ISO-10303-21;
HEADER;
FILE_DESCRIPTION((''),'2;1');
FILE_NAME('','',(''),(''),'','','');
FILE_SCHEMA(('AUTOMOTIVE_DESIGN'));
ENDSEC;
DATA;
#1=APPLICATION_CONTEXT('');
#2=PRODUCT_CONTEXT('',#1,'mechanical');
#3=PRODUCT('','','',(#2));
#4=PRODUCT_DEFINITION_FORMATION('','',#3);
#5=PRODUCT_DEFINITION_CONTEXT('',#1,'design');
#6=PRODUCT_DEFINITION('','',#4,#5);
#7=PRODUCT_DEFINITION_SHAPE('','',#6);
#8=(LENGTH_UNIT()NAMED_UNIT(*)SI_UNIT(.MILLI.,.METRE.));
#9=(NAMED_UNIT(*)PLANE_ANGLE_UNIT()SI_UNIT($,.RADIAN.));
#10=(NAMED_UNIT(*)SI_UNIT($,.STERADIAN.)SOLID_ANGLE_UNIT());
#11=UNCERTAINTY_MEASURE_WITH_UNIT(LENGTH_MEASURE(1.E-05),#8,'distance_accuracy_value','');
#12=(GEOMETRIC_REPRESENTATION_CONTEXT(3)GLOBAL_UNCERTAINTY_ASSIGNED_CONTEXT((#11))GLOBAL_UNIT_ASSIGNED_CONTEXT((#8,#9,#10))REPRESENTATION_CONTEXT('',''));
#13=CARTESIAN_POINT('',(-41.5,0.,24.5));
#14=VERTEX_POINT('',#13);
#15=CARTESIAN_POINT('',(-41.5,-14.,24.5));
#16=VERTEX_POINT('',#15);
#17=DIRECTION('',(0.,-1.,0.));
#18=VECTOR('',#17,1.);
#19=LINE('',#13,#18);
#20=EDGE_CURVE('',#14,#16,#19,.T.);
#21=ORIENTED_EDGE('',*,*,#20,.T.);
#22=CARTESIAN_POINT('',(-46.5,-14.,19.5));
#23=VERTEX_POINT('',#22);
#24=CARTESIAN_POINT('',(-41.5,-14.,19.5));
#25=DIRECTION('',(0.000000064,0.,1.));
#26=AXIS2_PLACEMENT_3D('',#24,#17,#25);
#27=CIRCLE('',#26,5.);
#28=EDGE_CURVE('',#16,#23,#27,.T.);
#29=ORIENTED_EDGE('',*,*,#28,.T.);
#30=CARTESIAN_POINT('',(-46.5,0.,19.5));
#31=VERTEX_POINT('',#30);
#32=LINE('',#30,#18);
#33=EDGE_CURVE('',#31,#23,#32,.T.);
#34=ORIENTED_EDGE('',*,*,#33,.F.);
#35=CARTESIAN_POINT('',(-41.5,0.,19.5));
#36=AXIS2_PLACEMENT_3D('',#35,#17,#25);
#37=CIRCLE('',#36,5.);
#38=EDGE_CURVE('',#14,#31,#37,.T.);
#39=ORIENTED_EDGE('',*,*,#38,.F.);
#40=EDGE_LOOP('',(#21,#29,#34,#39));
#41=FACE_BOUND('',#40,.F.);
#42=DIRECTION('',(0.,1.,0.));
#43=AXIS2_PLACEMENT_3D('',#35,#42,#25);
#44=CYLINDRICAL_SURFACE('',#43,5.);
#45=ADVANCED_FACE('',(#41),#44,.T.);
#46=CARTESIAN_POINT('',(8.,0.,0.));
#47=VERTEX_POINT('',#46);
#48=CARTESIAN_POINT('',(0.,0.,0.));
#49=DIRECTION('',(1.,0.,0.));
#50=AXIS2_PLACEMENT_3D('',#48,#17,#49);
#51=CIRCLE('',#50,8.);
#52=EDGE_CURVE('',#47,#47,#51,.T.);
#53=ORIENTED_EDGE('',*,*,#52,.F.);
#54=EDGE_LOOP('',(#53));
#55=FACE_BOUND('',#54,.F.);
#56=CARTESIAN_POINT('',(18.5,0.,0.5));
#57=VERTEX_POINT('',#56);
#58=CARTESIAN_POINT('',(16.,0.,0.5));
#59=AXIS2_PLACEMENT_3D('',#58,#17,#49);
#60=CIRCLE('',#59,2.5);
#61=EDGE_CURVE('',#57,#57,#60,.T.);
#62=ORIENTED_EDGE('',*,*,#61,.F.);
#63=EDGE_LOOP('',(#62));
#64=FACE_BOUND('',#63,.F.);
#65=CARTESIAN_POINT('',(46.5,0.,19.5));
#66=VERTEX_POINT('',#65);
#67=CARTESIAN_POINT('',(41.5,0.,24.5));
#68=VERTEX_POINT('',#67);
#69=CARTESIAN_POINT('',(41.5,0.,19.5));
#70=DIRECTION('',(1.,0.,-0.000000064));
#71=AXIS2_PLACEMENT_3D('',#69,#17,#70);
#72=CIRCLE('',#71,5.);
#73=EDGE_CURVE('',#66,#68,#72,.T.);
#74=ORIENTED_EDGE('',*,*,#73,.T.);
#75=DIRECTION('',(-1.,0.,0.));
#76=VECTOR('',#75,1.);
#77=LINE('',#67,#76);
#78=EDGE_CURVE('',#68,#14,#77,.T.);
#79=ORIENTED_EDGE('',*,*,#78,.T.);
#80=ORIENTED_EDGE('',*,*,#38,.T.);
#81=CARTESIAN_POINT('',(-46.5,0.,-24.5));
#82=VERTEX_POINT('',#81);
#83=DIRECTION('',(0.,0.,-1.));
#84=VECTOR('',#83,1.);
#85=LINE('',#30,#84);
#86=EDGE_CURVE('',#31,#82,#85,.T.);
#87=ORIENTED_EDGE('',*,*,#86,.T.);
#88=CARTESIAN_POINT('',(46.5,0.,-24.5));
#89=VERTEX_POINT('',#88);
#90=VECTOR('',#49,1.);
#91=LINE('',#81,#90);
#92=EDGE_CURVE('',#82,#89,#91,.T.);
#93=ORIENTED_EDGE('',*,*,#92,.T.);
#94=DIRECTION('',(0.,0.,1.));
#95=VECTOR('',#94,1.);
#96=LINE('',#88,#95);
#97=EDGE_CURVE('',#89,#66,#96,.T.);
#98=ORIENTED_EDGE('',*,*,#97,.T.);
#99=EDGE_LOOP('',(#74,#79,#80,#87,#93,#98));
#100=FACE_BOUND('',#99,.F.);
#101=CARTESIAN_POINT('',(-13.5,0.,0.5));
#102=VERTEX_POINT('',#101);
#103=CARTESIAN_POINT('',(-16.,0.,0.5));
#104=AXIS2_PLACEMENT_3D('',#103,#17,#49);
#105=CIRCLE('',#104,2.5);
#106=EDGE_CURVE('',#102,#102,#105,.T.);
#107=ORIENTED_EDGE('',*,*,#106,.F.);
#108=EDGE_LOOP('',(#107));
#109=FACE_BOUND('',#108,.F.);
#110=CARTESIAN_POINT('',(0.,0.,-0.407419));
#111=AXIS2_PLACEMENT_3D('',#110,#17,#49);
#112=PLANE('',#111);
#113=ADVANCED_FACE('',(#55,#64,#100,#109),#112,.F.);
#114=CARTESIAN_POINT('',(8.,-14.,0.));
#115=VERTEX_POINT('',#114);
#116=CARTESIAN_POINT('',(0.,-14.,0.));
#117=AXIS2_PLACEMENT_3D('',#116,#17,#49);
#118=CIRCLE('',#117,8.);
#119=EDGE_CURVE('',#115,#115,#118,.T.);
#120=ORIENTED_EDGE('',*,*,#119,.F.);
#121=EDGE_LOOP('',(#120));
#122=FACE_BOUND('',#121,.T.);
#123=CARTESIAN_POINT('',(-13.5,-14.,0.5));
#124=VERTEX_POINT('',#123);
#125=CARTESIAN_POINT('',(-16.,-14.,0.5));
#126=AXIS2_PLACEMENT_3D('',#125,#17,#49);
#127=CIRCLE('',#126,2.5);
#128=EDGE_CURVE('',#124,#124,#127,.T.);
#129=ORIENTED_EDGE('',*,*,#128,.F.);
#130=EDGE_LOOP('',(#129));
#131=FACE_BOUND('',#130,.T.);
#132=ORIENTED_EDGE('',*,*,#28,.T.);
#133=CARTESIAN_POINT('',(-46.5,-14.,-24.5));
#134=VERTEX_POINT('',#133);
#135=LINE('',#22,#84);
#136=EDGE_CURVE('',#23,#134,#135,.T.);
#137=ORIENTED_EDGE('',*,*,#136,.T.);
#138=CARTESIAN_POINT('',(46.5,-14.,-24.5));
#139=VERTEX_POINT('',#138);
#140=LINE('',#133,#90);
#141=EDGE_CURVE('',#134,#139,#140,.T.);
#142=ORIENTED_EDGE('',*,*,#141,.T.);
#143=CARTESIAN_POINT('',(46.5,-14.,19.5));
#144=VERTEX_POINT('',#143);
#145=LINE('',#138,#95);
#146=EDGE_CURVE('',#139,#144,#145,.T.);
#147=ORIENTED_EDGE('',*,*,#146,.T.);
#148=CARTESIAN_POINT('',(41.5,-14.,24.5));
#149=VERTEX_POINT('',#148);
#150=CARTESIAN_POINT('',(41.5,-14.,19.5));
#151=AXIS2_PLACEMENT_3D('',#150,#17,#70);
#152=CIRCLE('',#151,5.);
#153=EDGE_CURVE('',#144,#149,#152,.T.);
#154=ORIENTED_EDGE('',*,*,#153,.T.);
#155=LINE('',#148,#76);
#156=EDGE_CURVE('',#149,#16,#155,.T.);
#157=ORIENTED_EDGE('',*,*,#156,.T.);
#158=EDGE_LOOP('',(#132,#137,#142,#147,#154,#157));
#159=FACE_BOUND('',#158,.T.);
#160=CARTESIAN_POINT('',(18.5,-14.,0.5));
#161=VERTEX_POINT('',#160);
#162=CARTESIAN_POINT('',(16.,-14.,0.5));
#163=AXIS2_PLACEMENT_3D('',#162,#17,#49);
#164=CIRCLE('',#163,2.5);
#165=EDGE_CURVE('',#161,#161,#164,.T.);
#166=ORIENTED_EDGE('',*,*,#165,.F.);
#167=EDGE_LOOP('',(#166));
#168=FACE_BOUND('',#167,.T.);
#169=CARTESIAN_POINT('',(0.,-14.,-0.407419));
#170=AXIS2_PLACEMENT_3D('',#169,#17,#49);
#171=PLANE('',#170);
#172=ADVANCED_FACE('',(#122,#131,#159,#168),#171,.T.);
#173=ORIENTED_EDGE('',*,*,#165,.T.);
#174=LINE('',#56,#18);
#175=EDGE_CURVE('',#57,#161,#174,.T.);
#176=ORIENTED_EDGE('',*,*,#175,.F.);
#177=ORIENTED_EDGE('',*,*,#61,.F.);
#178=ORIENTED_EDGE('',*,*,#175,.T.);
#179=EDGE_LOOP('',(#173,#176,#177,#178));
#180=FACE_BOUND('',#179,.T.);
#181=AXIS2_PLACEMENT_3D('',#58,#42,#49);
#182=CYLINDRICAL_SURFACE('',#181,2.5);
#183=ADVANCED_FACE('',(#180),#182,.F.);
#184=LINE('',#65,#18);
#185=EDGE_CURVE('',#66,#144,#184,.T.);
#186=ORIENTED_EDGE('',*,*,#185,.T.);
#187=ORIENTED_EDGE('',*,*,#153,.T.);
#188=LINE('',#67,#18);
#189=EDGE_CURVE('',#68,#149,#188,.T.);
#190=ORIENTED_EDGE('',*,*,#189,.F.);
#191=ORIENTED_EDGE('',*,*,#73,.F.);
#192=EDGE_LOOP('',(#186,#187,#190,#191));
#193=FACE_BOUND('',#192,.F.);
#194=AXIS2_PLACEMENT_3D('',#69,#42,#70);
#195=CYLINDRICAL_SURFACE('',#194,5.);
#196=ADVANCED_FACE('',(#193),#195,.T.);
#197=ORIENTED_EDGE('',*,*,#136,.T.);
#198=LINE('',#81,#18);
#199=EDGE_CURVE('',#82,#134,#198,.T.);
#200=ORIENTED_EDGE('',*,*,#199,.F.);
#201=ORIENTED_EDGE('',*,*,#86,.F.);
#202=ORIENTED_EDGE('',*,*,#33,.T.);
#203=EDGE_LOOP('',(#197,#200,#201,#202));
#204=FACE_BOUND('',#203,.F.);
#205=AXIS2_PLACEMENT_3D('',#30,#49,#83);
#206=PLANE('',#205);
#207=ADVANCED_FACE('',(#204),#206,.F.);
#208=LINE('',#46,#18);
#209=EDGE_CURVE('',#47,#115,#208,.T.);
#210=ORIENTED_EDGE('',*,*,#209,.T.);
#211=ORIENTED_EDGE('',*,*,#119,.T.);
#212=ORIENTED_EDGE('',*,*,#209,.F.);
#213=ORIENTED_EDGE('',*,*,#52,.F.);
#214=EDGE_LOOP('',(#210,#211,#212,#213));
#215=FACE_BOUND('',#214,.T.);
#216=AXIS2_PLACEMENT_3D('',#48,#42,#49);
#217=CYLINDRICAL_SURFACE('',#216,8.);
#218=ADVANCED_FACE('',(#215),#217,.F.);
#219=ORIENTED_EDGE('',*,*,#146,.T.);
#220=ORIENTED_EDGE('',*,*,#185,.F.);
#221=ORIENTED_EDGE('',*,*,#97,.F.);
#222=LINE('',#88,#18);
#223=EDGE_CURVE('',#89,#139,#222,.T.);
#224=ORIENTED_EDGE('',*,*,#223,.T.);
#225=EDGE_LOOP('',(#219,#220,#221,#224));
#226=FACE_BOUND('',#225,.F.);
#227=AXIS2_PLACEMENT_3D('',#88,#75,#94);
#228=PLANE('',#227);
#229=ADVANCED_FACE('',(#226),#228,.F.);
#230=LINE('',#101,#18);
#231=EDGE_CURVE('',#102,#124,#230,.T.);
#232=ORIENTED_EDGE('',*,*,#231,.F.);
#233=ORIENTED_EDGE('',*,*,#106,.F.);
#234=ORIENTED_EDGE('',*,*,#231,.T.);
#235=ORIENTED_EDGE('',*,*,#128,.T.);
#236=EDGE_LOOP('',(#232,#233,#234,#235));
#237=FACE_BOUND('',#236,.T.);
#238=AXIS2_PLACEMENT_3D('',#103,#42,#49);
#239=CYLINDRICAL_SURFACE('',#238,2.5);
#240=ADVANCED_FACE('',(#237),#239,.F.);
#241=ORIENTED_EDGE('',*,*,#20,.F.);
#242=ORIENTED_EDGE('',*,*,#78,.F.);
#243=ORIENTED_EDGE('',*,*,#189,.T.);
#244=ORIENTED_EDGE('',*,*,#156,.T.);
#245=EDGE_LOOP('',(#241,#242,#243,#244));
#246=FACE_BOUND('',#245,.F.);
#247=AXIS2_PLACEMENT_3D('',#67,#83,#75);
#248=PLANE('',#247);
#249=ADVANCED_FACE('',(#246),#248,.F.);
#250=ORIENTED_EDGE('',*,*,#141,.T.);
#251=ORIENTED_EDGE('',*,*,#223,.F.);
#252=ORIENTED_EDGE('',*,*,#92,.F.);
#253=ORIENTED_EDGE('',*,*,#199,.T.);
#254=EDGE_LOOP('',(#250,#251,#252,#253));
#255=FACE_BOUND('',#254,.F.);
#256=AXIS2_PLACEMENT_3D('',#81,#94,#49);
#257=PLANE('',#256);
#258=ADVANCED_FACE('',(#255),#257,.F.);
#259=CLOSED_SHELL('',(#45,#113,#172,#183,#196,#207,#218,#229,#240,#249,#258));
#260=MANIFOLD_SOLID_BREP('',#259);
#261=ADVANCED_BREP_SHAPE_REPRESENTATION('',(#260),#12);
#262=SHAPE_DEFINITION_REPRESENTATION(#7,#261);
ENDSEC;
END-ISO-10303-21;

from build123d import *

# Parameters (mm, degrees)
F0_R     = 8
F0_R_2   = 2.5
F1_DEPTH = 14


with BuildPart() as f1:
    # F0 (on Front) → F1 (new body)
    with BuildSketch(Plane.XZ):
        with BuildLine():
            Line((-46.5, -24.5), (46.5, -24.5))
            Line((46.5, -24.5), (46.5, 19.5))
            ThreePointArc((46.5, 19.5), (45.035534, 23.035534), (41.5, 24.5))
            Line((41.5, 24.5), (-41.5, 24.5))
            ThreePointArc((-41.5, 24.5), (-45.035534, 23.035534), (-46.5, 19.5))
            Line((-46.5, 19.5), (-46.5, -24.5))
        make_face()
        Circle(F0_R, mode=Mode.SUBTRACT)
        with Locations((-16, 0.5)):
            Circle(F0_R_2, mode=Mode.SUBTRACT)
        with Locations((16, 0.5)):
            Circle(F0_R_2, mode=Mode.SUBTRACT)
    extrude(amount=F1_DEPTH)


solid = f1.part
